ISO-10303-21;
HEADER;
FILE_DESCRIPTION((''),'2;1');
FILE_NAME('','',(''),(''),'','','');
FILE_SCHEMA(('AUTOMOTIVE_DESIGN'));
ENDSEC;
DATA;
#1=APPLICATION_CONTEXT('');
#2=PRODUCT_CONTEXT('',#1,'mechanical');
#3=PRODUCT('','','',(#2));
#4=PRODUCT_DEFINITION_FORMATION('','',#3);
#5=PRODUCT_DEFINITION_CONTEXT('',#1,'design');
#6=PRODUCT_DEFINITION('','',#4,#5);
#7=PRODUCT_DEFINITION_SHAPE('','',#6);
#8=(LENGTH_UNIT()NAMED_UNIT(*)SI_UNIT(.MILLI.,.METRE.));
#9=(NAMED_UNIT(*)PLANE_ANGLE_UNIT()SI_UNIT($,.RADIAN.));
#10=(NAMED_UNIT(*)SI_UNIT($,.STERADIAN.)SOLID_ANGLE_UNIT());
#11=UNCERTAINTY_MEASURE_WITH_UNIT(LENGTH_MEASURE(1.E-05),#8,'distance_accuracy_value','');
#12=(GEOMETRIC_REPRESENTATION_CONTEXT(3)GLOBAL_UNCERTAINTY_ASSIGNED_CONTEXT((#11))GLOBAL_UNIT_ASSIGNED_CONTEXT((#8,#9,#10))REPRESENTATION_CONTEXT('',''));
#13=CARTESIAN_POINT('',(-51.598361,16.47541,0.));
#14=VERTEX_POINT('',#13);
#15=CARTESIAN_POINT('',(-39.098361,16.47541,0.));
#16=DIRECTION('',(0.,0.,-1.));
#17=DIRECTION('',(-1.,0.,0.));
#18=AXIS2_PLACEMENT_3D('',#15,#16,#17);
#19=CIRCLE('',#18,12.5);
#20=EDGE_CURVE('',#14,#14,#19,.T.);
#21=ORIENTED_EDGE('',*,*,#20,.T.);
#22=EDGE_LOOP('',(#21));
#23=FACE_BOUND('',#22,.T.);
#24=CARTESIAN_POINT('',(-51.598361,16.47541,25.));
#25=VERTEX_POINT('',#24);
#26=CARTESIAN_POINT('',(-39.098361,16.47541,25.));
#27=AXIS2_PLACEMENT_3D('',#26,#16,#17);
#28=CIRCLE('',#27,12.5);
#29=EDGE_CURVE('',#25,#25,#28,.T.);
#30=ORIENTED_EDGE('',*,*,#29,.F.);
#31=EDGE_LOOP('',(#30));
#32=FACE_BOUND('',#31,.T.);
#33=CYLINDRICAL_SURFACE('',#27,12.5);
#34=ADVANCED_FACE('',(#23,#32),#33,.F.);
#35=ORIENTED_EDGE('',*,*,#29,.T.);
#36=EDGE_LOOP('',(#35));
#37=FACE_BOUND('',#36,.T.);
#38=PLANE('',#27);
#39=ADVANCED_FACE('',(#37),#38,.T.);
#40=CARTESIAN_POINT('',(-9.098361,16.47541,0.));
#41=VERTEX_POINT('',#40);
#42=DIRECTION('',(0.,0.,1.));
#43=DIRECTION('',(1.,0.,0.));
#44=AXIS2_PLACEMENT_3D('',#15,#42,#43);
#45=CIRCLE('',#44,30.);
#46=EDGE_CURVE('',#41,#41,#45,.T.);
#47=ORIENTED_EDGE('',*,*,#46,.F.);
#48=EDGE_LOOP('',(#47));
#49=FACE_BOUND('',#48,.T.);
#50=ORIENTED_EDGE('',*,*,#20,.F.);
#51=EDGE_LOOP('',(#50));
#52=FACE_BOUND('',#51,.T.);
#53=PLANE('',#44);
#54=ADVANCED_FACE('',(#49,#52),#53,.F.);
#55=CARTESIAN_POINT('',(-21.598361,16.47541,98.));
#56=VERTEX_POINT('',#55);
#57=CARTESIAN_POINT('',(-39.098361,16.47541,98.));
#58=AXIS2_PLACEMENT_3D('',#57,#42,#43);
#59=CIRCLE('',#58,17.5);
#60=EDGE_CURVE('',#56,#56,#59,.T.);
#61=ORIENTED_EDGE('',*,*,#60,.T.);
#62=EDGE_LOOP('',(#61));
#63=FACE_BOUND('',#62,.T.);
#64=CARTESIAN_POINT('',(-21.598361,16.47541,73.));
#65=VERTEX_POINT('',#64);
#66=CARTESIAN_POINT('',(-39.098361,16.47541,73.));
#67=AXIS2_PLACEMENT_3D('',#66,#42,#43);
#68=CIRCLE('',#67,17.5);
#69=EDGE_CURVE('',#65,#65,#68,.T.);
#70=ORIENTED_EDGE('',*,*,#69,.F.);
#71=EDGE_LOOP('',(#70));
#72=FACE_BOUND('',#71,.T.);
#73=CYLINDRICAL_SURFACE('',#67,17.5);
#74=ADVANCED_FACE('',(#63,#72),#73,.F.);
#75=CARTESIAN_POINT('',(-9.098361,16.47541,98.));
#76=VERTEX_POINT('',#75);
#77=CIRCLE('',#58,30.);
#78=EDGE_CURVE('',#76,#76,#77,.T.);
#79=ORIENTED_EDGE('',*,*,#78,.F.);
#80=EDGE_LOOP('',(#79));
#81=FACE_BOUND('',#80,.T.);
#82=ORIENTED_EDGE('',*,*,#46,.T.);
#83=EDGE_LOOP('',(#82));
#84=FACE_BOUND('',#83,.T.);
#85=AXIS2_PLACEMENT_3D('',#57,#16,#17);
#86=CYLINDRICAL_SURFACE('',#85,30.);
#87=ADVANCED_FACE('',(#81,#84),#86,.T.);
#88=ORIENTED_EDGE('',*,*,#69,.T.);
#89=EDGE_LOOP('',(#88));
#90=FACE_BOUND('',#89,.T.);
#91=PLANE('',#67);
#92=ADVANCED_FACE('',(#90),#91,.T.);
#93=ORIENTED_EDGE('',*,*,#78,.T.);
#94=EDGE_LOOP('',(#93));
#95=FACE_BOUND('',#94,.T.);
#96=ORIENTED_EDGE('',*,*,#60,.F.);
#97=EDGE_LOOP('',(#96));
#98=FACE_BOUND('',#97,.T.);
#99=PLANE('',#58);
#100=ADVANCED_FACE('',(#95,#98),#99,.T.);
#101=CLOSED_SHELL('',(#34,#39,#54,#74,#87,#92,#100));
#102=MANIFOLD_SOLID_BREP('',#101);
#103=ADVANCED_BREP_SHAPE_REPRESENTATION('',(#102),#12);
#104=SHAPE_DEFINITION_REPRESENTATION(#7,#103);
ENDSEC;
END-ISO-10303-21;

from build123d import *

# Parameters (mm, degrees)
SKETCH_1_R          = 30
EXTRUDE_1_DEPTH     = 98
SKETCH_2_R          = 17.5
CUT_EXTRUDE_1_DEPTH = 25
SKETCH_3_R          = 12.5
CUT_EXTRUDE_2_DEPTH = 25


with BuildPart() as part:
    # 草图1 → 凸台-拉伸1 (new body)
    with BuildSketch(Plane.XY):
        with Locations((-39.098360656, 16.475409836)):
            Circle(SKETCH_1_R)
    extrude(amount=EXTRUDE_1_DEPTH)

    # 草图2 → 切除-拉伸1 (cut)
    with BuildSketch(Plane.XY.offset(98)):
        with Locations((-39.098360656, 16.475409836)):
            Circle(SKETCH_2_R)
    extrude(amount=-CUT_EXTRUDE_1_DEPTH, mode=Mode.SUBTRACT)

    # 草图3 → 切除-拉伸2 (cut)
    with BuildSketch(Plane(origin=(0, 0, 0), x_dir=(-1, 0, 0), z_dir=(0, 0, -1))):
        with Locations((39.098360656, 16.475409836)):
            Circle(SKETCH_3_R)
    extrude(amount=-CUT_EXTRUDE_2_DEPTH, mode=Mode.SUBTRACT)


solid = part.part
